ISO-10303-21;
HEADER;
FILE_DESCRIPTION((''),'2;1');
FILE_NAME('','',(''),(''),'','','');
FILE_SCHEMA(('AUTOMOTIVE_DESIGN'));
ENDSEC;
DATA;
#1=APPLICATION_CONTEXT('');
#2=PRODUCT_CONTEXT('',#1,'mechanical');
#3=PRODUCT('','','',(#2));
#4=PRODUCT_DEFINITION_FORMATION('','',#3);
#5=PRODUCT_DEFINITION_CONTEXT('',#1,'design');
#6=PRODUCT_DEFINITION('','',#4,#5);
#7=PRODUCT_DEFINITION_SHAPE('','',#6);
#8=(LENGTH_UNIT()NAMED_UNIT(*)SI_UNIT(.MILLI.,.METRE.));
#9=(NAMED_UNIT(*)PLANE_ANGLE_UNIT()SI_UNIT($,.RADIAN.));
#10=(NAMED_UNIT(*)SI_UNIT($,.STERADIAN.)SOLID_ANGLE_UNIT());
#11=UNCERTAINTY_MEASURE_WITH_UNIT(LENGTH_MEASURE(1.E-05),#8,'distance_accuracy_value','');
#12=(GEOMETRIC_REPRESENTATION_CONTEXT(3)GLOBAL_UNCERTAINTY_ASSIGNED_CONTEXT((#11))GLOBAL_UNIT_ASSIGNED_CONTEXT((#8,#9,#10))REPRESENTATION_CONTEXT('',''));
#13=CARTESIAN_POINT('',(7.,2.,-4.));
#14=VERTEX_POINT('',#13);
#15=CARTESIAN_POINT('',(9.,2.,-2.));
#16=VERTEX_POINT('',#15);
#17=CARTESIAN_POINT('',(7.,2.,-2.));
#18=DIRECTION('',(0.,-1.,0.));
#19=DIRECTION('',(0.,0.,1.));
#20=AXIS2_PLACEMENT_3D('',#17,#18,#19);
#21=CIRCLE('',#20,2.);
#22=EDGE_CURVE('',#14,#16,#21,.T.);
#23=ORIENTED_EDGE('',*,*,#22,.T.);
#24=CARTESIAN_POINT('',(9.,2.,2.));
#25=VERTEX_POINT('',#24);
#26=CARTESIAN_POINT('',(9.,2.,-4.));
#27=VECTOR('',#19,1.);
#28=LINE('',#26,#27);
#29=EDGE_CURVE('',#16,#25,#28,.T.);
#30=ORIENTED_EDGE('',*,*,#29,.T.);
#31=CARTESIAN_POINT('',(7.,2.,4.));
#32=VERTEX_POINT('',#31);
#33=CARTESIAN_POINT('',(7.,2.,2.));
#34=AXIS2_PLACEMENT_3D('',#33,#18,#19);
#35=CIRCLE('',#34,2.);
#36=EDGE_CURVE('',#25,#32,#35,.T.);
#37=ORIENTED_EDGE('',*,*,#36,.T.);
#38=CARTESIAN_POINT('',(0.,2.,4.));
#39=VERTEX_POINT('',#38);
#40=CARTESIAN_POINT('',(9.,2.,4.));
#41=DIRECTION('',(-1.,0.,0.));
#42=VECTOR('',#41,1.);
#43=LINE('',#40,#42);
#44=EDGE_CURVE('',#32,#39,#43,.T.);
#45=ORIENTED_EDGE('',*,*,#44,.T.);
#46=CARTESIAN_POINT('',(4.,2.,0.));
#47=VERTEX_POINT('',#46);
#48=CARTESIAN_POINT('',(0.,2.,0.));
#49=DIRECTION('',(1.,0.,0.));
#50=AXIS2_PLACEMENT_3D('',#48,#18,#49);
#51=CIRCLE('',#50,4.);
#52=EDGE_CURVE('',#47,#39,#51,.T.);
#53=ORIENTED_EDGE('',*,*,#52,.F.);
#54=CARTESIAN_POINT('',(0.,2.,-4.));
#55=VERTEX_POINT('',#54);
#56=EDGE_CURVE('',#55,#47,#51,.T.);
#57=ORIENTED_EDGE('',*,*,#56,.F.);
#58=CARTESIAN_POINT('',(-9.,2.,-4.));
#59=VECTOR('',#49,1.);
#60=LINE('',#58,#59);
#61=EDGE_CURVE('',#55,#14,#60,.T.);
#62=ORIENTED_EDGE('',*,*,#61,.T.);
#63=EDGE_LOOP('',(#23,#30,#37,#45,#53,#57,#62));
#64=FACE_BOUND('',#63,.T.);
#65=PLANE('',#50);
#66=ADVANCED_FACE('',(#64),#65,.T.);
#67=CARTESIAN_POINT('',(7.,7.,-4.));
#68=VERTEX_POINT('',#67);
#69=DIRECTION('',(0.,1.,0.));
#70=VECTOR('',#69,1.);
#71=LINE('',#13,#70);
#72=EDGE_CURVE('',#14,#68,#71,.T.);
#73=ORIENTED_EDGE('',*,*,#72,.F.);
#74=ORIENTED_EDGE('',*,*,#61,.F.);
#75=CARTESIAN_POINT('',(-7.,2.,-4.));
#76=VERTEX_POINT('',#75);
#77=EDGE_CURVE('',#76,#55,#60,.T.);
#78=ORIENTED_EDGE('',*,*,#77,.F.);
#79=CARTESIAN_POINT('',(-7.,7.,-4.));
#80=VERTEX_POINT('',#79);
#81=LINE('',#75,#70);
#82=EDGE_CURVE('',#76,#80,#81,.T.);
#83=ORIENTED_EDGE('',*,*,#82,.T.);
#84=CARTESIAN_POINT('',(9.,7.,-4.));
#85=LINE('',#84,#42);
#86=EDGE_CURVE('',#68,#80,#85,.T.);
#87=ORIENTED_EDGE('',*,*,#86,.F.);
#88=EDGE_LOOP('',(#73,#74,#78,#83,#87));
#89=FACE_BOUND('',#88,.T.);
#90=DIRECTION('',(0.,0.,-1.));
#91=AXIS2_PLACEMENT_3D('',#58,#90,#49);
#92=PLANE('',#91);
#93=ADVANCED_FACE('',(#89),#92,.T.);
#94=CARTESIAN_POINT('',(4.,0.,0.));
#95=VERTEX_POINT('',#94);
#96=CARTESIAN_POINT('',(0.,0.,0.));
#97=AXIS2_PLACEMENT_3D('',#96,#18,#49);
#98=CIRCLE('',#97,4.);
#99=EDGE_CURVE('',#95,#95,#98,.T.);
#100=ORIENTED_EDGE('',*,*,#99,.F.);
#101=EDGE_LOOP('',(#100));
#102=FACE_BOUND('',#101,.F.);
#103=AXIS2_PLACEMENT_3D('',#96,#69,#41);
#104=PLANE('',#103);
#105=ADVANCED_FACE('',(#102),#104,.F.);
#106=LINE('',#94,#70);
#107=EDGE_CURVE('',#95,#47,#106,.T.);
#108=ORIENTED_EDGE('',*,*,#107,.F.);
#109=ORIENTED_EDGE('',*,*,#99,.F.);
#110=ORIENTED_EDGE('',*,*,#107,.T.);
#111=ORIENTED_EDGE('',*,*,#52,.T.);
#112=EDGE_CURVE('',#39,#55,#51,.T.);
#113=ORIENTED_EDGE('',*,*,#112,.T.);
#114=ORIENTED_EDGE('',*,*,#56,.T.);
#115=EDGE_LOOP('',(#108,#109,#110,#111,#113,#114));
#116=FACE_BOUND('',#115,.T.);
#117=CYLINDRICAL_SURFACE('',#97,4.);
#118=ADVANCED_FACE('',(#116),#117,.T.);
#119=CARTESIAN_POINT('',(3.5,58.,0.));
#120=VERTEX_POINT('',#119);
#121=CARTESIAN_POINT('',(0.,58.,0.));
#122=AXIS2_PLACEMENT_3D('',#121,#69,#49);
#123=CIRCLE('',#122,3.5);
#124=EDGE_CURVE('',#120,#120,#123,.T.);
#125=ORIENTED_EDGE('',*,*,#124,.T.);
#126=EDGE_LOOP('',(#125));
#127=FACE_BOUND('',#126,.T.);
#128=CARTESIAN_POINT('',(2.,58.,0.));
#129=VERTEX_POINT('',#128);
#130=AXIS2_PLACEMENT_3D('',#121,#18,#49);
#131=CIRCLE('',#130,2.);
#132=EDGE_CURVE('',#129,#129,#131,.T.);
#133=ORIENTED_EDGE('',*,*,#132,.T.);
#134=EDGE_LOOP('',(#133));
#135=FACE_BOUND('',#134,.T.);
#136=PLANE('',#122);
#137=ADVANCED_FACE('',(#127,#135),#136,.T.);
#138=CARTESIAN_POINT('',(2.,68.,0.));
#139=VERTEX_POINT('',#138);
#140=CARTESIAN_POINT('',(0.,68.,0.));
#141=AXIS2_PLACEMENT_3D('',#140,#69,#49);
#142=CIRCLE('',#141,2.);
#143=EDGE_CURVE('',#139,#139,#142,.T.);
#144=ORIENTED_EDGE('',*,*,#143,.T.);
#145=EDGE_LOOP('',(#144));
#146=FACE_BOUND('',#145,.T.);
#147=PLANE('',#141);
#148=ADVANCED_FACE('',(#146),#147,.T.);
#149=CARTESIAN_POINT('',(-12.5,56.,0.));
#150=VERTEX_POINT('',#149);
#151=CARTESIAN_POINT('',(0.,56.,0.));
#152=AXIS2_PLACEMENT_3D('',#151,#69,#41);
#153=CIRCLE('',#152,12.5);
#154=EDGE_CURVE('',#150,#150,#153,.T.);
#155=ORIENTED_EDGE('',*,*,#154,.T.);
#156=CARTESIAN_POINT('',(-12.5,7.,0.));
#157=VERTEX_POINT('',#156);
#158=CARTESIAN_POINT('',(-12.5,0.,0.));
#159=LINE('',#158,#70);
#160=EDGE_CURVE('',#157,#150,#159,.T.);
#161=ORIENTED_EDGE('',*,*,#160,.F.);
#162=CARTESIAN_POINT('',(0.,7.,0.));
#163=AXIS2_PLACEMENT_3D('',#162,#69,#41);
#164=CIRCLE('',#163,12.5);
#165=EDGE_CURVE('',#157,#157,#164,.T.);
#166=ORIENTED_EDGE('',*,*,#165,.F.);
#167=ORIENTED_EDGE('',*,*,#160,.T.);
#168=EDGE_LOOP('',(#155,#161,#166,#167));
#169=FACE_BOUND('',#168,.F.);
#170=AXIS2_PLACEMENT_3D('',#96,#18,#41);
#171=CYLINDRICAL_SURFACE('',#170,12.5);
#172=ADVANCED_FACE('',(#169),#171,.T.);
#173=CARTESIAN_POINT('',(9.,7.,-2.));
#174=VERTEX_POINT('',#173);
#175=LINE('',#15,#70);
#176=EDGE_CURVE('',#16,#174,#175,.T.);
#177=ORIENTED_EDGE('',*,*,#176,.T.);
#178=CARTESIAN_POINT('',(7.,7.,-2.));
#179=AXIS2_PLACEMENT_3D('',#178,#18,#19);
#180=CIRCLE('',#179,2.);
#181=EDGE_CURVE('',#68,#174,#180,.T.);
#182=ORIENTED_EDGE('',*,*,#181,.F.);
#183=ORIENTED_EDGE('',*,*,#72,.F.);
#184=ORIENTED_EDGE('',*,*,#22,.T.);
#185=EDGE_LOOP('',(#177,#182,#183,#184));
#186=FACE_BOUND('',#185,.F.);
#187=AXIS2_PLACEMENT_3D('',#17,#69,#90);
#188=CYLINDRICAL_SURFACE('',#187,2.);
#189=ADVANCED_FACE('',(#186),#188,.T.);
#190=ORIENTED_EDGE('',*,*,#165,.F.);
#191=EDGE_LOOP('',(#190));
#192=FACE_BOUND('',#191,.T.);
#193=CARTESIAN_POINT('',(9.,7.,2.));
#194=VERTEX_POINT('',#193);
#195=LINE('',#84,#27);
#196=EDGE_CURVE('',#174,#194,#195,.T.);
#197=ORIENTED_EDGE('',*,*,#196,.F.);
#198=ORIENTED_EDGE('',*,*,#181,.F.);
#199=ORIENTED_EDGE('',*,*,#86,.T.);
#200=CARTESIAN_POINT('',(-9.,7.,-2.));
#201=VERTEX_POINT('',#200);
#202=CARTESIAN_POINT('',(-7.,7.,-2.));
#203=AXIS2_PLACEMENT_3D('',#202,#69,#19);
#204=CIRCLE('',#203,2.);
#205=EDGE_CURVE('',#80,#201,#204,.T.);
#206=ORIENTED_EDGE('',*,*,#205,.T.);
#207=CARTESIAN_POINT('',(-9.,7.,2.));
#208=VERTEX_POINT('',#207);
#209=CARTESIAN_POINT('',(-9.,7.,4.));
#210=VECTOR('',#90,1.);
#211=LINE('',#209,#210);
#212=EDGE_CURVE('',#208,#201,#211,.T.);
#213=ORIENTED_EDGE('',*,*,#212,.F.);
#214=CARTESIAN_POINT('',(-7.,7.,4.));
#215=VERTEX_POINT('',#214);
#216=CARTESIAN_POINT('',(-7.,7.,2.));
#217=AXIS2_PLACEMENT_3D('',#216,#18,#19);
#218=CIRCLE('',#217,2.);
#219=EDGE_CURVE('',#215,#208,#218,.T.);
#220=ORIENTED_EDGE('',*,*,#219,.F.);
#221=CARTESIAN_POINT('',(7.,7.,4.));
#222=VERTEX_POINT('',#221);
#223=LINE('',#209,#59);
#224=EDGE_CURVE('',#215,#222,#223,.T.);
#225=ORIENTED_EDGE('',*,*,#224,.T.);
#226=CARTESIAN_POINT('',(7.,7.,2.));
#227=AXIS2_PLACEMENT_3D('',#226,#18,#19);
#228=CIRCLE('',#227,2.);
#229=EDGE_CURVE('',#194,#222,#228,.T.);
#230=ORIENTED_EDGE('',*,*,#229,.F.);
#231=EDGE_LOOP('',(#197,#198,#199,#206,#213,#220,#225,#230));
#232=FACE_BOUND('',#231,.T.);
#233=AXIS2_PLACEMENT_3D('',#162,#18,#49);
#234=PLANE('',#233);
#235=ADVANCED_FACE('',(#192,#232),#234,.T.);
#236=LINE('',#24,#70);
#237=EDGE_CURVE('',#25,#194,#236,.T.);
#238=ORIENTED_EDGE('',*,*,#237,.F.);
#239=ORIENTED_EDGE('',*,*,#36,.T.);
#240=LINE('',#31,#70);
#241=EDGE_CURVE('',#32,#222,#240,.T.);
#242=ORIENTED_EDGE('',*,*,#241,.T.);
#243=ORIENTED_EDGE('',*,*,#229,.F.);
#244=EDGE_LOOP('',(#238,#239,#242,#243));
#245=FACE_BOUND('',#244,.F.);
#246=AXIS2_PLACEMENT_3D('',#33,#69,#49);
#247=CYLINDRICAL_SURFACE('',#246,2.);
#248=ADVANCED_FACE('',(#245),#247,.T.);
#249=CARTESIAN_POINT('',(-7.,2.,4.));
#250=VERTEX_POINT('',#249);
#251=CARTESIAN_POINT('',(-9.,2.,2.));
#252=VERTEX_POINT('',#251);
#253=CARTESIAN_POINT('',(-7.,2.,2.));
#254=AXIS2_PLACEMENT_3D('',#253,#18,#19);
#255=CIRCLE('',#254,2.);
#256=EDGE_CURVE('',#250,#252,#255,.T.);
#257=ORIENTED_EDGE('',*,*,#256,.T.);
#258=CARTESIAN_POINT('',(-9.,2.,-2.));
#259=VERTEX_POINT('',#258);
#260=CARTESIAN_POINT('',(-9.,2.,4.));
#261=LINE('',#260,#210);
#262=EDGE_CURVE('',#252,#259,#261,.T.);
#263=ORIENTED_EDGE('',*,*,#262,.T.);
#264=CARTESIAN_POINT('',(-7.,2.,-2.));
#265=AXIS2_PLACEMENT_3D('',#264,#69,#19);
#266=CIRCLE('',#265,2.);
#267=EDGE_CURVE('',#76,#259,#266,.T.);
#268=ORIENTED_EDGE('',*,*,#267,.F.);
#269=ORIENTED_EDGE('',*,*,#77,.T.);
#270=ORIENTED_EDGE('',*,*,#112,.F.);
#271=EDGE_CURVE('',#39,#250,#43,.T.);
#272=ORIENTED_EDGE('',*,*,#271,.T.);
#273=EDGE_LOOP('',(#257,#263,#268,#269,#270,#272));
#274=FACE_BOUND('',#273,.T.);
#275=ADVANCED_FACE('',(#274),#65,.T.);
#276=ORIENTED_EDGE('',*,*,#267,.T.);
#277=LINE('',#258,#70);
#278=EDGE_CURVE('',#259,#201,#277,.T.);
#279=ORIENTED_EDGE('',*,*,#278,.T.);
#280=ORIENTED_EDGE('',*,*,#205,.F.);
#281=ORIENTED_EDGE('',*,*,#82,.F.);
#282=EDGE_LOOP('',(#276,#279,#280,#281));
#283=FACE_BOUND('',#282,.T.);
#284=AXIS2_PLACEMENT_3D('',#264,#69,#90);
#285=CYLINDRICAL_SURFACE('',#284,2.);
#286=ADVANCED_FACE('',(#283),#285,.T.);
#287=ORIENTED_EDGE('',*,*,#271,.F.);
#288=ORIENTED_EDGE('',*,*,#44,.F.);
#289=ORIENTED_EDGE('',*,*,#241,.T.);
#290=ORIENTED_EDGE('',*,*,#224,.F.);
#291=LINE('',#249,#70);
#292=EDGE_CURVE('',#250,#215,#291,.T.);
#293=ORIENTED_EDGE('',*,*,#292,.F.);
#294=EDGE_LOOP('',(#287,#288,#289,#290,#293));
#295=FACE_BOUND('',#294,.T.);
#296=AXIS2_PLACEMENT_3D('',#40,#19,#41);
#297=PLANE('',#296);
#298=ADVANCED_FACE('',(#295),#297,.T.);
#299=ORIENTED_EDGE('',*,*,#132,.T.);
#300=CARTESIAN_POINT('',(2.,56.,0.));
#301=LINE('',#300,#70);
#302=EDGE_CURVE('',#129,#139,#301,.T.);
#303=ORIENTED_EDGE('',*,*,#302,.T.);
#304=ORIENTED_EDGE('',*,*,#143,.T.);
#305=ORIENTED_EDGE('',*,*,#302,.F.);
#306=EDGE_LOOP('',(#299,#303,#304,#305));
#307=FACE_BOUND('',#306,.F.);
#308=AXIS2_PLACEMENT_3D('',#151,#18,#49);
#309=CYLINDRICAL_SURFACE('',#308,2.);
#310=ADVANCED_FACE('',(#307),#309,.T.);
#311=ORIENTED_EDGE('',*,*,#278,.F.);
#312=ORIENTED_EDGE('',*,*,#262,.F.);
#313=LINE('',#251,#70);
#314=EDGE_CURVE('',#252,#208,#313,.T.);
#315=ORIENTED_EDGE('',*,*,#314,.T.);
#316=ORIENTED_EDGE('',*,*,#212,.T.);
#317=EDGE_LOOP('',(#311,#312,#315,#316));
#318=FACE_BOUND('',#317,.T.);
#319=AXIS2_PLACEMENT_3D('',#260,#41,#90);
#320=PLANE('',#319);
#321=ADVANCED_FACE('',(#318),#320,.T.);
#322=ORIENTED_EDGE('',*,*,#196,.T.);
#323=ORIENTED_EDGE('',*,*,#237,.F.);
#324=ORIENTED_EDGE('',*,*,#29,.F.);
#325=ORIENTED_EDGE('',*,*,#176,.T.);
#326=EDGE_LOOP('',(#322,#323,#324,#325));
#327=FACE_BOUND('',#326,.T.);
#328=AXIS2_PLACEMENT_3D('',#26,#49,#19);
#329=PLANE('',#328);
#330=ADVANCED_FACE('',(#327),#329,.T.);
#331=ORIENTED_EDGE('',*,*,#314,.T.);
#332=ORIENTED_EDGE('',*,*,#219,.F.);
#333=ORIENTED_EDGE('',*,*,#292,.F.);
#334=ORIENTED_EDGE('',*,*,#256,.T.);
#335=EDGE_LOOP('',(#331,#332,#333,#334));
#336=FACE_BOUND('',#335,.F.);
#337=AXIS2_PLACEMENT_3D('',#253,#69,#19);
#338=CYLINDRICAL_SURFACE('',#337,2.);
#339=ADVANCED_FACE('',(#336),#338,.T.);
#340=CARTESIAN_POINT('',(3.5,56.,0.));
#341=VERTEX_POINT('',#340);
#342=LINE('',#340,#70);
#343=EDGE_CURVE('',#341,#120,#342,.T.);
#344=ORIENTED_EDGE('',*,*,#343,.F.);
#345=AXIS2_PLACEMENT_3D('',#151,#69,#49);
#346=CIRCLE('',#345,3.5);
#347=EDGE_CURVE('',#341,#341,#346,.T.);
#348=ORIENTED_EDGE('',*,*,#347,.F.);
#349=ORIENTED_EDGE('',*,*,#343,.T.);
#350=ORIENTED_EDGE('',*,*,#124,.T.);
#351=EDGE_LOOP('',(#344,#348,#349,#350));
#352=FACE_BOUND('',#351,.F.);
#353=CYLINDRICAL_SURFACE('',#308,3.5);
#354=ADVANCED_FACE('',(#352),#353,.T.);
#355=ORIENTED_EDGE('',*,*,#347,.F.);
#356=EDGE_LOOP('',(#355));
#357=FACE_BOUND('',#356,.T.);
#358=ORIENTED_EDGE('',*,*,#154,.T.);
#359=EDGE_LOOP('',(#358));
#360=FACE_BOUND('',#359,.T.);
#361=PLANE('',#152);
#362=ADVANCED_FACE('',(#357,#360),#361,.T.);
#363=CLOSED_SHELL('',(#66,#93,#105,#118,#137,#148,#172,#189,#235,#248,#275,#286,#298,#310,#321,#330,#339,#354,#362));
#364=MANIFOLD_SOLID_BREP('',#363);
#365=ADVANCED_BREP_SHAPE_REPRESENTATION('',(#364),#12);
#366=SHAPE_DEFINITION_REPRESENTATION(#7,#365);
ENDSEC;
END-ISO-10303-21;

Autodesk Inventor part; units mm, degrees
ref_plane "YZ Plane" through (0, 0, 0) normal (1, 0, 0) x (0, 1, 0)
ref_plane "XZ Plane" through (0, 0, 0) normal (0, 1, 0) x (-1, 0, 0)
ref_plane "XY Plane" through (0, 0, 0) normal (0, 0, 1) x (1, 0, 0)
sketch "Szkic1" plane through (0, 0, 0) normal (0, 1, 0) x (-1, 0, 0)
  circle A0 centre (0, 0) radius 12.5
  dimension "d0" = 25
extrude "Wyciągnięcie proste1" add sketch "Szkic1" along normal blind 56
sketch "Szkic2" plane through (0, 56, 0) normal (0, 1, 0) x (1, 0, 0)
  circle A0 centre (0, 0) radius 2
  dimension "d3" = 4
extrude "Wyciągnięcie proste2" add sketch "Szkic2" along normal blind 12
sketch "Szkic3" plane through (0, 56, 0) normal (0, 1, 0) x (1, 0, 0)
  circle A0 centre (0, 0) radius 3.5
  dimension "d6" = 7
extrude "Wyciągnięcie proste3" add sketch "Szkic3" along normal blind 2
sketch "Szkic4" plane through (0, 0, 0) normal (0, -1, 0) x (1, 0, 0)
  circle A0 centre (0, 0) radius 2 projected
  circle A1 centre (0, 0) radius 4
  circle A2 centre (0, 0) radius 12.5
  dimension "d9" = 8
extrude "Wyciągnięcie proste4" cut sketch "Szkic4" against normal blind 2 contours A2
sketch "Szkic5" plane through (0, 2, 0) normal (0, -1, 0) x (1, 0, 0)
  line L0 (-9, -4) -> (9, -4)
  line L1 (9, -4) -> (9, 4)
  line L2 (9, 4) -> (-9, 4)
  line L3 (-9, 4) -> (-9, -4)
  circle A0 centre (0, 0) radius 4 projected
  circle A1 centre (0, 0) radius 12.5
  dimension "d12" = 9
  dimension "d13" = 18
extrude "Wyciągnięcie proste5" cut sketch "Szkic5" against normal blind 5
fillet "Zaokrąglenie1" radius 2 4 edges at (-9, 4.5, 4) (-9, 4.5, -4) (9, 4.5, 4) (9, 4.5, -4)
properties part number "Silnik_SKUA"
